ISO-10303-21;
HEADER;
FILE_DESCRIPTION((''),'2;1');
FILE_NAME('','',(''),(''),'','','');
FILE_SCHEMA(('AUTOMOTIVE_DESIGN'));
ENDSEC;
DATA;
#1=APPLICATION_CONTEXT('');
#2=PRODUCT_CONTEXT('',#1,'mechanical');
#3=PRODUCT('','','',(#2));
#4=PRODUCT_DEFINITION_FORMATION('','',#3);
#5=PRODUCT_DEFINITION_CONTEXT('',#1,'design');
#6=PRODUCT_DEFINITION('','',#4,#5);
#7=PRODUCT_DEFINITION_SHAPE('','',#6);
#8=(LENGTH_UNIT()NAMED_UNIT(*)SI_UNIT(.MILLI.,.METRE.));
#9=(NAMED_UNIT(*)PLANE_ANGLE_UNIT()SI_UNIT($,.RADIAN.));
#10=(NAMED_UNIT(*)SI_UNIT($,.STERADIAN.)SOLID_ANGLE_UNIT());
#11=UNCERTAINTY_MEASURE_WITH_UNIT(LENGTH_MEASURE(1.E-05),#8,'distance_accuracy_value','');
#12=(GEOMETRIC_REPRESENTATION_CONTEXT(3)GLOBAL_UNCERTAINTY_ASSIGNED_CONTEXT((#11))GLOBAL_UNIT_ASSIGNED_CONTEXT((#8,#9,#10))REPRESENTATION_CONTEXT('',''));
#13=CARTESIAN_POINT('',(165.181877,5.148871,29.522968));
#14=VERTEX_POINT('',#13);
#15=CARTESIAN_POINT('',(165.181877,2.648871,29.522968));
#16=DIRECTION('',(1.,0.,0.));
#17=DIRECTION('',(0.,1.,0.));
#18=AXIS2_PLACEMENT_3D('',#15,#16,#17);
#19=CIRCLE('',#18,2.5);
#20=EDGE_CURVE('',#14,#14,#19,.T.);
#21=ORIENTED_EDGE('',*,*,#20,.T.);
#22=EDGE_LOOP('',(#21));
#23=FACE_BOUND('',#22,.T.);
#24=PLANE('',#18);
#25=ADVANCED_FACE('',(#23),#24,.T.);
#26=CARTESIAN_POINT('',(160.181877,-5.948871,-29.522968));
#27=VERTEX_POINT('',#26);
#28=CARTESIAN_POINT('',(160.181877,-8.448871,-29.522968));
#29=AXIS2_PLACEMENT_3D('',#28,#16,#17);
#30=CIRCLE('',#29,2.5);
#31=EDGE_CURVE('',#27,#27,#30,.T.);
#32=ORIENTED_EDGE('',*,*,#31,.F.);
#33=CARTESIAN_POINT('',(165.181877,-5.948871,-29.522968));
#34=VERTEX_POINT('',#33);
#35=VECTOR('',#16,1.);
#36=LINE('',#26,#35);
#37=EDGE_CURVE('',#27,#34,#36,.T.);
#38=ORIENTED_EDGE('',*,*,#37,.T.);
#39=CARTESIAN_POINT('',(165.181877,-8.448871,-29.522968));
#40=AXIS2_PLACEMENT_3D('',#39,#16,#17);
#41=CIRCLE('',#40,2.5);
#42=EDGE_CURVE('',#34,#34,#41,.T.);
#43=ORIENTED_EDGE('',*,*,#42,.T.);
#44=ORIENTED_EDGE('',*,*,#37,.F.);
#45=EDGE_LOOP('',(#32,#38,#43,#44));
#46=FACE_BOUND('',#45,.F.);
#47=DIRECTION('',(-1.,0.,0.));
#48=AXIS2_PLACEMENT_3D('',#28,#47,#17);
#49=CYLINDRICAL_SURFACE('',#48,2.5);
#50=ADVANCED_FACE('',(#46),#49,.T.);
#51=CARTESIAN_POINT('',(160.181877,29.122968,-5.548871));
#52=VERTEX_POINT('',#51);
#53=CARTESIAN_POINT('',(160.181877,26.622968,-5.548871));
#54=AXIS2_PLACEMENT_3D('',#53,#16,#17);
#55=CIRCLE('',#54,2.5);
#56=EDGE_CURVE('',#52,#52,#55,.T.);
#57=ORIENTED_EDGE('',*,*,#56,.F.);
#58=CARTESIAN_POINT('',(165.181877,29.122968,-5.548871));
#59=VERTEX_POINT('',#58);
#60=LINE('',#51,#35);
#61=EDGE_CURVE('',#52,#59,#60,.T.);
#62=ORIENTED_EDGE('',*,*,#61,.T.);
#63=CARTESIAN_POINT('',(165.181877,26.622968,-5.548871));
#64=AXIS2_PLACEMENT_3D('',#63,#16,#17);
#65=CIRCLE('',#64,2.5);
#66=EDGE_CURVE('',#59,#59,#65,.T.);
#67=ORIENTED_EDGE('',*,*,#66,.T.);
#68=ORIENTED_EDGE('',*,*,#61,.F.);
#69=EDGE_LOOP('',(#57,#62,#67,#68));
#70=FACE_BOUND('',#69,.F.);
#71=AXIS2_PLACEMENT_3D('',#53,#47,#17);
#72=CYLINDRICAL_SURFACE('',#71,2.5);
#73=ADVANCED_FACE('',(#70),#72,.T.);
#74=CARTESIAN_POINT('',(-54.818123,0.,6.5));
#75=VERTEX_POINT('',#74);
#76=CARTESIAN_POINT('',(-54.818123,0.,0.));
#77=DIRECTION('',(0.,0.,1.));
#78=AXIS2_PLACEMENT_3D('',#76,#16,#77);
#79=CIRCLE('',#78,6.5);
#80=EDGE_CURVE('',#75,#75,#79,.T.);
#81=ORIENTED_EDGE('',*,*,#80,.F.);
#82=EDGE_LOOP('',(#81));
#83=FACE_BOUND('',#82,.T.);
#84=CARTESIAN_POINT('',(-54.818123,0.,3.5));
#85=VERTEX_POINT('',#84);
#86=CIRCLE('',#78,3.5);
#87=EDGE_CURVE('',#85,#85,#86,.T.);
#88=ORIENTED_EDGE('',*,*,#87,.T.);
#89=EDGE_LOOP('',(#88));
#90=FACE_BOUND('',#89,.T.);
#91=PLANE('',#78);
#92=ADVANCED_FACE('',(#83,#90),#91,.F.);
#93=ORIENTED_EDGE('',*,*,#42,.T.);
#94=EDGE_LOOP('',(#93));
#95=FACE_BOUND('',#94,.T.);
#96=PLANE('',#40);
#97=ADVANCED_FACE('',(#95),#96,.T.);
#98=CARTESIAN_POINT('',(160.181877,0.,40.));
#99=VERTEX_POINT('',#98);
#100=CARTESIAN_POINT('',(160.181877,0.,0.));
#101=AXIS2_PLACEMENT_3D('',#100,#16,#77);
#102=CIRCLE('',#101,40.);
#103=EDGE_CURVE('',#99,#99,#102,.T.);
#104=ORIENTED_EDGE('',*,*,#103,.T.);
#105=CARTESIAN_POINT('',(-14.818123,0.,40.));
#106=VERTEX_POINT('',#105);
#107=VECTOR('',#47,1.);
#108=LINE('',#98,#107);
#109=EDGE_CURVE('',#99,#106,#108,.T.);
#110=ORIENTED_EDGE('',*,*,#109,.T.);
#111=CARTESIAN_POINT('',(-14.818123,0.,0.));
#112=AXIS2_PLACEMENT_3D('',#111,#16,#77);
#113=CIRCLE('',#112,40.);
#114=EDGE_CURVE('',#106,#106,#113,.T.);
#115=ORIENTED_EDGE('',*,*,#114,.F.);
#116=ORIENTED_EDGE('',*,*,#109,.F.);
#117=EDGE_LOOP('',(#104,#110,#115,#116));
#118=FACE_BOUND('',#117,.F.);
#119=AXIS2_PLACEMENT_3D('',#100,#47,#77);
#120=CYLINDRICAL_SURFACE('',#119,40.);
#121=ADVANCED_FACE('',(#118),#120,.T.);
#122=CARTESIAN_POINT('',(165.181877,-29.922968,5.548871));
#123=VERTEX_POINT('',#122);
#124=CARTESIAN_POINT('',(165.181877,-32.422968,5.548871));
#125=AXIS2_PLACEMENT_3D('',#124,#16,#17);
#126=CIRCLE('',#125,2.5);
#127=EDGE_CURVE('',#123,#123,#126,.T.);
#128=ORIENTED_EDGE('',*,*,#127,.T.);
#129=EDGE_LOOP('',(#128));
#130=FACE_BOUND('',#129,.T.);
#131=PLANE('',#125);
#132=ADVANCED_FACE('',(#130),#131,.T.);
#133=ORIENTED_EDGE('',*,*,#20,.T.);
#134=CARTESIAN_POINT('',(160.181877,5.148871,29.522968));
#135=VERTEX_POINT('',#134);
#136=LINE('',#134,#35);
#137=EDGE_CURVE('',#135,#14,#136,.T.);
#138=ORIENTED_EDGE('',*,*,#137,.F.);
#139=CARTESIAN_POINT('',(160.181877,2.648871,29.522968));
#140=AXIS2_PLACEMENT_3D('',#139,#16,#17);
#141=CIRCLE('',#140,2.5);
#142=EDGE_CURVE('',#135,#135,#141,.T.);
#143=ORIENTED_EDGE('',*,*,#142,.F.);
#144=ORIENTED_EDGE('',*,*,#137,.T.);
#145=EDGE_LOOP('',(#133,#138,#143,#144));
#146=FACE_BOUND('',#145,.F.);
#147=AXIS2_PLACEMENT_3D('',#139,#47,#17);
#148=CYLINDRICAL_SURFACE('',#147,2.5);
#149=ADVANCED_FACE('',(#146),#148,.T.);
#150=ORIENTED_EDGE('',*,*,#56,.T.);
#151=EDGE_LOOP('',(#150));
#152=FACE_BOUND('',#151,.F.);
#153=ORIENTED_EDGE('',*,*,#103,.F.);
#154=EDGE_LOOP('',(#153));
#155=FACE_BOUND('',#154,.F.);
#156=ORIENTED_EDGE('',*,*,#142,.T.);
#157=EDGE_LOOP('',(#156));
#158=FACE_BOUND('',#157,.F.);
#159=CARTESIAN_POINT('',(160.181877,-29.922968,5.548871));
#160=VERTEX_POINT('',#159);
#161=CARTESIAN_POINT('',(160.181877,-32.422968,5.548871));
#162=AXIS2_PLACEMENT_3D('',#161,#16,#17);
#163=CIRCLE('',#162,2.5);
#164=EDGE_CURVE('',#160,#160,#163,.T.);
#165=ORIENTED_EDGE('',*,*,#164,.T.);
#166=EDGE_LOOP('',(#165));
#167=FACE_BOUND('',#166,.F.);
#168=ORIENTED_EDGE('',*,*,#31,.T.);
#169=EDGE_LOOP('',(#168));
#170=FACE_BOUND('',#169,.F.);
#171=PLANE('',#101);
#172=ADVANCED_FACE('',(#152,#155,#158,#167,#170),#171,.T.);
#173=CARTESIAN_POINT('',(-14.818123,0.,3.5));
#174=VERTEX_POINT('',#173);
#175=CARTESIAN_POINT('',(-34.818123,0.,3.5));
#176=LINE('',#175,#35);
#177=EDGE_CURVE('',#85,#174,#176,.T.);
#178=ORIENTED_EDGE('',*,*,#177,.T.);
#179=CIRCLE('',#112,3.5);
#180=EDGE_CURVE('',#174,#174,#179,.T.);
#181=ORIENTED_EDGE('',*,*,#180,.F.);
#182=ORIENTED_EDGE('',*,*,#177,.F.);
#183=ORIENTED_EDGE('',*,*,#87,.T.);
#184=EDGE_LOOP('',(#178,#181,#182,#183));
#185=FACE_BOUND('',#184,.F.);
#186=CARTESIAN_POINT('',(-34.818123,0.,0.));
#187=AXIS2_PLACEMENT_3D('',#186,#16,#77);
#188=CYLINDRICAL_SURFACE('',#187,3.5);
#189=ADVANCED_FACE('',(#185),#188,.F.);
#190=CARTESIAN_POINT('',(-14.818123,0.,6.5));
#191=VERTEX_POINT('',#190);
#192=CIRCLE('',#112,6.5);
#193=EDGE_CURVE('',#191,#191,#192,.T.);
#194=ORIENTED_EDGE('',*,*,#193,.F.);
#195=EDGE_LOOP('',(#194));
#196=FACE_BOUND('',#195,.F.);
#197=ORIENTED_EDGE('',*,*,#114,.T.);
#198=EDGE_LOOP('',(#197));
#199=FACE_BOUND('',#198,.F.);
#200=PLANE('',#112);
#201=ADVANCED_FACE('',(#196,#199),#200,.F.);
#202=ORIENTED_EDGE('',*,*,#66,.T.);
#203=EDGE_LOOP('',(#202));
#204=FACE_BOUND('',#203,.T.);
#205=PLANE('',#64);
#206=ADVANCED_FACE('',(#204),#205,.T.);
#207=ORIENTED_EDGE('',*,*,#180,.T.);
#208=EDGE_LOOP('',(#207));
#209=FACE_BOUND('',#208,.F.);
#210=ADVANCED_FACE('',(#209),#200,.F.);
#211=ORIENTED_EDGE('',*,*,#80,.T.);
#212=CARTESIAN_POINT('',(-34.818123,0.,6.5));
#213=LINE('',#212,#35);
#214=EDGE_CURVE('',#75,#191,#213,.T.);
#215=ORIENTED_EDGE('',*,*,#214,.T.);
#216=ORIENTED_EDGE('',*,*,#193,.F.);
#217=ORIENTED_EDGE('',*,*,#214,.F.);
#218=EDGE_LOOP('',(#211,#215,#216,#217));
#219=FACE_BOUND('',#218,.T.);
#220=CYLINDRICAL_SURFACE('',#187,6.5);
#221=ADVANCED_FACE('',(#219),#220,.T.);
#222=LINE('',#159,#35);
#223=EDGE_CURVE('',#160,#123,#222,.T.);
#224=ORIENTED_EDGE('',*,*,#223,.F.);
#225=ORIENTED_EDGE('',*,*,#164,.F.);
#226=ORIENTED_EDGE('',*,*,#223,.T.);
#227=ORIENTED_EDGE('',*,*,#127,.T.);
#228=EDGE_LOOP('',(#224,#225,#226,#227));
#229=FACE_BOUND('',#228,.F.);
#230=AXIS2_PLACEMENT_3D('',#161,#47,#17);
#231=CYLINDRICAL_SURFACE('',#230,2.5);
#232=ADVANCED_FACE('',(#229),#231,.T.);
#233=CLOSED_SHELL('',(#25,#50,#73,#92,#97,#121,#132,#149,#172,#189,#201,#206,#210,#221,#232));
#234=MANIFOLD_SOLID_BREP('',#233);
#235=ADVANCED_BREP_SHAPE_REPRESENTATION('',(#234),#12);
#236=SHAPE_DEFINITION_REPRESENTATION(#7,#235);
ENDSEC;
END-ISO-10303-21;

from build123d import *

# Parameters (mm, degrees)
F0_W     = 40
F0_H     = 3
F2_R     = 2.5
F3_DEPTH = 5


with BuildPart() as f1:
    # F0 (on Front) → F1 (revolve)
    with BuildSketch(Plane.XZ):
        with Locations((-34.818123, 5)):
            Rectangle(F0_W, F0_H)
        Polygon((-14.818123, 3.5), (-14.818123, 0), (160.181877, 0), (160.181877, 40), (-14.818123, 40), (-14.818123, 6.5), align=None)
    revolve(axis=Axis((18.749876, 0, 0), (1, 0, 0)))

    # F2 (on face) → F3 (join)
    with BuildSketch(Plane.YZ.offset(160.181877)):
        with Locations((2.648871, 29.522968)):
            Circle(F2_R)
        with Locations((-8.448871, -29.522968)):
            Circle(F2_R)
        with Locations((26.622968, -5.548871)):
            Circle(F2_R)
        with Locations((-32.422968, 5.548871)):
            Circle(F2_R)
    extrude(amount=F3_DEPTH)


solid = f1.part
